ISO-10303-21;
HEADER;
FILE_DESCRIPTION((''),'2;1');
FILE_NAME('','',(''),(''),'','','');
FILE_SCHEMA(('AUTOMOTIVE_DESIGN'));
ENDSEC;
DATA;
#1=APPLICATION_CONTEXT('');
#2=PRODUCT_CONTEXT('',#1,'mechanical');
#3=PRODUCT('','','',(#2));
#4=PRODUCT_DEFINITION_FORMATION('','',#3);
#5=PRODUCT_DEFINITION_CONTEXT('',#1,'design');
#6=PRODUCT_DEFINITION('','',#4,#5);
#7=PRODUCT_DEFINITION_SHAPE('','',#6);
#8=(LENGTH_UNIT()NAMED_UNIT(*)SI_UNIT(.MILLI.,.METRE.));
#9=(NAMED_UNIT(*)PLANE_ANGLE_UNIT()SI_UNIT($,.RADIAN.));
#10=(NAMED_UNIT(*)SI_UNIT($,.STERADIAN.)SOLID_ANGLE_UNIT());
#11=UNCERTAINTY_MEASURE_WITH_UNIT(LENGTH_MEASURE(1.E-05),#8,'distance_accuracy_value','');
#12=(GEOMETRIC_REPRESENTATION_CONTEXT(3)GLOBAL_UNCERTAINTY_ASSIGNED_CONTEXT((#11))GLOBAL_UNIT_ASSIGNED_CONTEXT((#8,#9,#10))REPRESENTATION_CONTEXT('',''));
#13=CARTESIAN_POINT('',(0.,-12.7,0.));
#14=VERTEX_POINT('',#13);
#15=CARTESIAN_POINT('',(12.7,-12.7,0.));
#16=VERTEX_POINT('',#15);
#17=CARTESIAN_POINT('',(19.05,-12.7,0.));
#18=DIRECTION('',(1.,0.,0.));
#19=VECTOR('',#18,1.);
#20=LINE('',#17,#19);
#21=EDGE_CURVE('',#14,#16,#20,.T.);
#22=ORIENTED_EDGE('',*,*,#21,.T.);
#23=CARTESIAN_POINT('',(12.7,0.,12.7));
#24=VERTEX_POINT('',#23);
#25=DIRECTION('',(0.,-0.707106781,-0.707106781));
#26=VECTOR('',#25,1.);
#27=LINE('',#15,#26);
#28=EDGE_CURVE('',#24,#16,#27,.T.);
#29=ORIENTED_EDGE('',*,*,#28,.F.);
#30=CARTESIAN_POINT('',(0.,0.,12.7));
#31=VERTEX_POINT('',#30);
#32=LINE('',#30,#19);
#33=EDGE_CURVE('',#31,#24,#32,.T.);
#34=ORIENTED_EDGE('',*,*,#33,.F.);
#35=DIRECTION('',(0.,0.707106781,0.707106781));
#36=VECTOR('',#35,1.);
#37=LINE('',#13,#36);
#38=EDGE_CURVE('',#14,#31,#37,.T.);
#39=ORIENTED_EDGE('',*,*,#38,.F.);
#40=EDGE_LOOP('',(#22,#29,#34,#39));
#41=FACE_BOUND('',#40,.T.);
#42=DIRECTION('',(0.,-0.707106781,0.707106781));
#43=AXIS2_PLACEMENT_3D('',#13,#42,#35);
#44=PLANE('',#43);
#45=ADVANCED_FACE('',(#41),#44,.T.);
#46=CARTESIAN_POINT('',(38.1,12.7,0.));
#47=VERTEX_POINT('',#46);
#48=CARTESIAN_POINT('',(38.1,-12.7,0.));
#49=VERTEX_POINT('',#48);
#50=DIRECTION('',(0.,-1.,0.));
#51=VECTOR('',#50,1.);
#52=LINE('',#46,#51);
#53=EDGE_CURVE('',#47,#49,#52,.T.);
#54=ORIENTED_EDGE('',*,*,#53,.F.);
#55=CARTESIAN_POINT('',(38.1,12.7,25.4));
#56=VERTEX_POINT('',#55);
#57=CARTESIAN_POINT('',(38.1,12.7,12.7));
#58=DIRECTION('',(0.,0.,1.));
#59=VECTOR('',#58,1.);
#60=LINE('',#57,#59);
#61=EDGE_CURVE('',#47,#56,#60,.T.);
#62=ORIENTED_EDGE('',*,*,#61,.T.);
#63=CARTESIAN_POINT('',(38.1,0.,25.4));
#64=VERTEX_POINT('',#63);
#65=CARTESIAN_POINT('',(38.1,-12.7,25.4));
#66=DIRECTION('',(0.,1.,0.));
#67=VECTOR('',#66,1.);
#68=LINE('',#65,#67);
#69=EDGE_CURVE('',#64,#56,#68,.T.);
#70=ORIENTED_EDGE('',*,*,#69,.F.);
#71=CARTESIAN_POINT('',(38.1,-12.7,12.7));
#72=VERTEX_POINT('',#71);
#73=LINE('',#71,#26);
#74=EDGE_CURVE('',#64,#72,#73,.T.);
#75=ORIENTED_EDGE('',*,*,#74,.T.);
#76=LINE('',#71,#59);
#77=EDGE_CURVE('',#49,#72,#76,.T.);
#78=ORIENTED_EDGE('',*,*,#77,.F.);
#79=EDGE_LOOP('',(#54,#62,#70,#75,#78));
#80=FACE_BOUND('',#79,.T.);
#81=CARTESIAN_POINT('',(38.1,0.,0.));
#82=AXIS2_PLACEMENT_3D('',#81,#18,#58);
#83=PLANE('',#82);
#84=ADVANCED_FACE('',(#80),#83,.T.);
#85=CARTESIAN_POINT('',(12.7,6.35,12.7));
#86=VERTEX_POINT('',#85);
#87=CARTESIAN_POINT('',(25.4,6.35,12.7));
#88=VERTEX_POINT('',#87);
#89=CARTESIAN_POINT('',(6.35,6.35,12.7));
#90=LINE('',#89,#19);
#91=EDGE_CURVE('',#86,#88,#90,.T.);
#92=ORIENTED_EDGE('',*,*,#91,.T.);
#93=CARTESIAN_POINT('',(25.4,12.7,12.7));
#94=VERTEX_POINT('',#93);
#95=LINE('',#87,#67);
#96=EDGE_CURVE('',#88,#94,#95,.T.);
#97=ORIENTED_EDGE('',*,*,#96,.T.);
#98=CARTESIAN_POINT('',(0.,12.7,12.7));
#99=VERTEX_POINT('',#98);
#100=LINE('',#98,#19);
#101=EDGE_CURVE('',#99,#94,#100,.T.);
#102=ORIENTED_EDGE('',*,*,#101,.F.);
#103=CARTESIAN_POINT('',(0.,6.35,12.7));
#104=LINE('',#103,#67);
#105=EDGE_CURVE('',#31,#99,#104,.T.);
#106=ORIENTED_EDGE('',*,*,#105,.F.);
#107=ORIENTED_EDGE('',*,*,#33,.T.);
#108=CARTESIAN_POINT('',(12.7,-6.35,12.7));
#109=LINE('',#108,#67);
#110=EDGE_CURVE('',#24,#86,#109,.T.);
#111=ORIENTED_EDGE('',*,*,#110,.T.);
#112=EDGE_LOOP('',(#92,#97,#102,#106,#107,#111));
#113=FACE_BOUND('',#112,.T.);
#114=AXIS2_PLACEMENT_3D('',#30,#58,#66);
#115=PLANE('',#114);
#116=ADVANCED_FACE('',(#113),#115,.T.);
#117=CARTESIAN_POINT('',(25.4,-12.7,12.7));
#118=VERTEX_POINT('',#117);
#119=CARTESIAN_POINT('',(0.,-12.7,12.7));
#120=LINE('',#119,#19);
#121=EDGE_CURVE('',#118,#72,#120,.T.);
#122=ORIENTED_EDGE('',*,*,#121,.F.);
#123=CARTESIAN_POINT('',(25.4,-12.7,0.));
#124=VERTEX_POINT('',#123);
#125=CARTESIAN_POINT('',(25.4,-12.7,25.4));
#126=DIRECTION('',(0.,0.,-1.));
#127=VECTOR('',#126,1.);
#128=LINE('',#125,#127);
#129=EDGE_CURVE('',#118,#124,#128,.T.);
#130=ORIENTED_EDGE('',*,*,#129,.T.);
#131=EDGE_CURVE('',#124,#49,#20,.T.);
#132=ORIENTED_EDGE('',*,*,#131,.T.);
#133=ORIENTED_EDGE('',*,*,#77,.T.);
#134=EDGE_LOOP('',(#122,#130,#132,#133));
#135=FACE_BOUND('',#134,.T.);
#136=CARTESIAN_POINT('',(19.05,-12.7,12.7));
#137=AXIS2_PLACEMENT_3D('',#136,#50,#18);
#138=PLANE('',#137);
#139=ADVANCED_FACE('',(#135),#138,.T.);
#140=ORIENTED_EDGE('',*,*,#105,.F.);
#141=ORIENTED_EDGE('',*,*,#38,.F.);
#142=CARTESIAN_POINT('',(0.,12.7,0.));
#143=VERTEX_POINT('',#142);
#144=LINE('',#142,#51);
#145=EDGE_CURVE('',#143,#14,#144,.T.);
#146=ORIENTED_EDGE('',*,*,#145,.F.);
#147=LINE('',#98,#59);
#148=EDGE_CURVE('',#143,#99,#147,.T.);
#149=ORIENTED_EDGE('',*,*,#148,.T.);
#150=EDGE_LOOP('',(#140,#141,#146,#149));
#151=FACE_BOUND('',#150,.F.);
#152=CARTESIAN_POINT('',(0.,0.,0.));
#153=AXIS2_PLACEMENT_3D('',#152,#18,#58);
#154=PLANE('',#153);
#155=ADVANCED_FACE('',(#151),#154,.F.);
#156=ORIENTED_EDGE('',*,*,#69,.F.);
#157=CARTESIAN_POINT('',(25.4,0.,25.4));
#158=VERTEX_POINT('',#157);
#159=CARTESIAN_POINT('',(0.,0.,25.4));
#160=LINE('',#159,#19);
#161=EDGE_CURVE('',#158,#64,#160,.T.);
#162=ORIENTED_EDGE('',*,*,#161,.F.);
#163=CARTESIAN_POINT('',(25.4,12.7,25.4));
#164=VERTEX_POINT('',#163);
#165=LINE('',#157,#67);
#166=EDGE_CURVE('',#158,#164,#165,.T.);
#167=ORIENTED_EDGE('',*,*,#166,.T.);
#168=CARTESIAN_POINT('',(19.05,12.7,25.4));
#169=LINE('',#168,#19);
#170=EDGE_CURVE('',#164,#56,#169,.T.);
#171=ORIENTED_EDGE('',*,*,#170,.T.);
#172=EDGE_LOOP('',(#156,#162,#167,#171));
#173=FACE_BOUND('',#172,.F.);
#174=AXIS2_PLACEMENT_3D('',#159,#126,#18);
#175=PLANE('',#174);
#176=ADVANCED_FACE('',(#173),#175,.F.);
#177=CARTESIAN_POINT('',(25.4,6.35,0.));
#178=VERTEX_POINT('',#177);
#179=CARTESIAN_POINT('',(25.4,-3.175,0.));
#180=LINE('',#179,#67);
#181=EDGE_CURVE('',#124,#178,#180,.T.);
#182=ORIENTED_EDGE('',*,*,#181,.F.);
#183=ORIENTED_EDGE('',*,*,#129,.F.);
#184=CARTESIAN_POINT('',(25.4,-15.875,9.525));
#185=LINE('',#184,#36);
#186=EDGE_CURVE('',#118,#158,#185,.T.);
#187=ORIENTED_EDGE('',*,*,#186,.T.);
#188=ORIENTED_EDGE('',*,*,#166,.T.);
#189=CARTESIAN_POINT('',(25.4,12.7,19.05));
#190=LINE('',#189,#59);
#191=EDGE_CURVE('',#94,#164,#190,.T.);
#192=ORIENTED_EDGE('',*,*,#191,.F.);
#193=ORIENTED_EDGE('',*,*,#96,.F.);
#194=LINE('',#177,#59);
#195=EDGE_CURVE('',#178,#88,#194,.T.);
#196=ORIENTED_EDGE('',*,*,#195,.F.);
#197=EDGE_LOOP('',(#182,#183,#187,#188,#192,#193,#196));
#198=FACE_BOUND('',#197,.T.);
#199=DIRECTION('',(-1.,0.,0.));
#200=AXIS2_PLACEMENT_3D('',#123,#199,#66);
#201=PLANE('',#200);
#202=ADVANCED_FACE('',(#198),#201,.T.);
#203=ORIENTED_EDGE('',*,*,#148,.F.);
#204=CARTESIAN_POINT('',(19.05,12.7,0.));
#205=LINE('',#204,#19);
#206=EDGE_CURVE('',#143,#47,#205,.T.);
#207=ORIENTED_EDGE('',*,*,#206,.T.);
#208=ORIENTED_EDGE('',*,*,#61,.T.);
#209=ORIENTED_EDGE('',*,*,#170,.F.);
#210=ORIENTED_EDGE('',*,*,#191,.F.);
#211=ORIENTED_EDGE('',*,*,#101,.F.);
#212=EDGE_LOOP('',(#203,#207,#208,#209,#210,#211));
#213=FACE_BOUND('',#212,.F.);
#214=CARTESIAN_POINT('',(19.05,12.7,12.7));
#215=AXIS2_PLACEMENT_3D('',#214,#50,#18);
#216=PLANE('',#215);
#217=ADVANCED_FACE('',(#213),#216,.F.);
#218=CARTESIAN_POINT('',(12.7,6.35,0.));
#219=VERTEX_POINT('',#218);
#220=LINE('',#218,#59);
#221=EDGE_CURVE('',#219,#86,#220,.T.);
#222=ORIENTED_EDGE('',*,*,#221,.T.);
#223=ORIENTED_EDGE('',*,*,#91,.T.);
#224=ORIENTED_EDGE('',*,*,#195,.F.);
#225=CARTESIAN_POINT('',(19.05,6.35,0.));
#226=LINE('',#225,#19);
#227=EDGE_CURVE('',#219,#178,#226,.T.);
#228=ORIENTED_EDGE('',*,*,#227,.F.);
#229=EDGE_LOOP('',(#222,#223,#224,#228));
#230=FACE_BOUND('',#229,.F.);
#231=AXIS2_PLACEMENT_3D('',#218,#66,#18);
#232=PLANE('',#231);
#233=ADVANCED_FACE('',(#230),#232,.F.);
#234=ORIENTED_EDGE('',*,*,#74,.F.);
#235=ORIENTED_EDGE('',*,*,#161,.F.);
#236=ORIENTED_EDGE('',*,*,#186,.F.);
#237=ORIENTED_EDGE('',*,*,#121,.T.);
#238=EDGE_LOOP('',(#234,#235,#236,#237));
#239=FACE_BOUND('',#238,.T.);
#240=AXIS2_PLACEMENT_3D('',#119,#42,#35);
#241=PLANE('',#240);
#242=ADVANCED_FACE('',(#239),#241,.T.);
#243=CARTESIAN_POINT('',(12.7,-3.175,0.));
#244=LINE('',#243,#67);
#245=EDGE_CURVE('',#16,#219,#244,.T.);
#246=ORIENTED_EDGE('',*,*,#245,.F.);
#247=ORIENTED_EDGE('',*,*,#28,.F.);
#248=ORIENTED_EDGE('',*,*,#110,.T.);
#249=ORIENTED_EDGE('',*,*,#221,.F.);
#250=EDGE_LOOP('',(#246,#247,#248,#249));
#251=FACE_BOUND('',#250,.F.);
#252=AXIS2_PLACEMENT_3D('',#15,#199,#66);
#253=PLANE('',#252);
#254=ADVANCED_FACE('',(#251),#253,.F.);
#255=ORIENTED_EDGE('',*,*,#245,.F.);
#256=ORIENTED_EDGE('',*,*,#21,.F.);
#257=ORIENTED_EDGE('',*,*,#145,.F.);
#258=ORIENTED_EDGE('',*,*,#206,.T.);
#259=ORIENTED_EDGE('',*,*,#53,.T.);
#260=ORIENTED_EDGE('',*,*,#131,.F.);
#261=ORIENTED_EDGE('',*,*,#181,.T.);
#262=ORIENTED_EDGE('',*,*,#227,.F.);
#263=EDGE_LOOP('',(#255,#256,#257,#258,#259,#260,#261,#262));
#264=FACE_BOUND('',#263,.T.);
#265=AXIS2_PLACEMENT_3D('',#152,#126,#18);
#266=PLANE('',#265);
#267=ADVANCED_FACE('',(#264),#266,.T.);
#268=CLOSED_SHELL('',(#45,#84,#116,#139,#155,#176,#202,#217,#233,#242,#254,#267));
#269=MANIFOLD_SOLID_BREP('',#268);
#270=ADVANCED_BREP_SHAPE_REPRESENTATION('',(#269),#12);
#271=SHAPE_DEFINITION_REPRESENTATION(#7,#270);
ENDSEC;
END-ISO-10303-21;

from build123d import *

# Parameters (mm, degrees)
F0_W     = 38.1
F0_H     = 25.4
F1_DEPTH = 12.7
F3_DEPTH = 25.4
F4_W     = 12.7
F4_H     = 19.05
F5_DEPTH = 46.482
F7_DEPTH = 78.994
F8_W     = 12.7
F8_H     = 12.7
F9_DEPTH = 25.4


with BuildPart() as f1:
    # F0 (on Front) → F1 (new body, symmetric)
    with BuildSketch(Plane.XZ):
        with Locations((19.05, 12.7)):
            Rectangle(F0_W, F0_H)
    extrude(amount=F1_DEPTH, both=True)

    # F2 (on Right) → F3 (cut)
    with BuildSketch(Plane.YZ):
        Polygon((0, 12.7), (0, 25.4), (-12.7, 25.4), (-12.7, 0), align=None)
    extrude(amount=F3_DEPTH, mode=Mode.SUBTRACT)

    # F4 (on Top) → F5 (cut)
    with BuildSketch(Plane.XY):
        with Locations((19.05, -3.175)):
            Rectangle(F4_W, F4_H)
    extrude(amount=F5_DEPTH, mode=Mode.SUBTRACT)

    # F6 (on Right) → F7 (cut)
    with BuildSketch(Plane.YZ):
        Polygon((-12.7, 12.7), (0, 25.4), (-12.7, 25.4), align=None)
    extrude(amount=F7_DEPTH, mode=Mode.SUBTRACT)

    # F8 (on Right) → F9 (cut)
    with BuildSketch(Plane.YZ):
        with Locations((6.35, 19.05)):
            Rectangle(F8_W, F8_H)
    extrude(amount=F9_DEPTH, mode=Mode.SUBTRACT)


solid = f1.part
